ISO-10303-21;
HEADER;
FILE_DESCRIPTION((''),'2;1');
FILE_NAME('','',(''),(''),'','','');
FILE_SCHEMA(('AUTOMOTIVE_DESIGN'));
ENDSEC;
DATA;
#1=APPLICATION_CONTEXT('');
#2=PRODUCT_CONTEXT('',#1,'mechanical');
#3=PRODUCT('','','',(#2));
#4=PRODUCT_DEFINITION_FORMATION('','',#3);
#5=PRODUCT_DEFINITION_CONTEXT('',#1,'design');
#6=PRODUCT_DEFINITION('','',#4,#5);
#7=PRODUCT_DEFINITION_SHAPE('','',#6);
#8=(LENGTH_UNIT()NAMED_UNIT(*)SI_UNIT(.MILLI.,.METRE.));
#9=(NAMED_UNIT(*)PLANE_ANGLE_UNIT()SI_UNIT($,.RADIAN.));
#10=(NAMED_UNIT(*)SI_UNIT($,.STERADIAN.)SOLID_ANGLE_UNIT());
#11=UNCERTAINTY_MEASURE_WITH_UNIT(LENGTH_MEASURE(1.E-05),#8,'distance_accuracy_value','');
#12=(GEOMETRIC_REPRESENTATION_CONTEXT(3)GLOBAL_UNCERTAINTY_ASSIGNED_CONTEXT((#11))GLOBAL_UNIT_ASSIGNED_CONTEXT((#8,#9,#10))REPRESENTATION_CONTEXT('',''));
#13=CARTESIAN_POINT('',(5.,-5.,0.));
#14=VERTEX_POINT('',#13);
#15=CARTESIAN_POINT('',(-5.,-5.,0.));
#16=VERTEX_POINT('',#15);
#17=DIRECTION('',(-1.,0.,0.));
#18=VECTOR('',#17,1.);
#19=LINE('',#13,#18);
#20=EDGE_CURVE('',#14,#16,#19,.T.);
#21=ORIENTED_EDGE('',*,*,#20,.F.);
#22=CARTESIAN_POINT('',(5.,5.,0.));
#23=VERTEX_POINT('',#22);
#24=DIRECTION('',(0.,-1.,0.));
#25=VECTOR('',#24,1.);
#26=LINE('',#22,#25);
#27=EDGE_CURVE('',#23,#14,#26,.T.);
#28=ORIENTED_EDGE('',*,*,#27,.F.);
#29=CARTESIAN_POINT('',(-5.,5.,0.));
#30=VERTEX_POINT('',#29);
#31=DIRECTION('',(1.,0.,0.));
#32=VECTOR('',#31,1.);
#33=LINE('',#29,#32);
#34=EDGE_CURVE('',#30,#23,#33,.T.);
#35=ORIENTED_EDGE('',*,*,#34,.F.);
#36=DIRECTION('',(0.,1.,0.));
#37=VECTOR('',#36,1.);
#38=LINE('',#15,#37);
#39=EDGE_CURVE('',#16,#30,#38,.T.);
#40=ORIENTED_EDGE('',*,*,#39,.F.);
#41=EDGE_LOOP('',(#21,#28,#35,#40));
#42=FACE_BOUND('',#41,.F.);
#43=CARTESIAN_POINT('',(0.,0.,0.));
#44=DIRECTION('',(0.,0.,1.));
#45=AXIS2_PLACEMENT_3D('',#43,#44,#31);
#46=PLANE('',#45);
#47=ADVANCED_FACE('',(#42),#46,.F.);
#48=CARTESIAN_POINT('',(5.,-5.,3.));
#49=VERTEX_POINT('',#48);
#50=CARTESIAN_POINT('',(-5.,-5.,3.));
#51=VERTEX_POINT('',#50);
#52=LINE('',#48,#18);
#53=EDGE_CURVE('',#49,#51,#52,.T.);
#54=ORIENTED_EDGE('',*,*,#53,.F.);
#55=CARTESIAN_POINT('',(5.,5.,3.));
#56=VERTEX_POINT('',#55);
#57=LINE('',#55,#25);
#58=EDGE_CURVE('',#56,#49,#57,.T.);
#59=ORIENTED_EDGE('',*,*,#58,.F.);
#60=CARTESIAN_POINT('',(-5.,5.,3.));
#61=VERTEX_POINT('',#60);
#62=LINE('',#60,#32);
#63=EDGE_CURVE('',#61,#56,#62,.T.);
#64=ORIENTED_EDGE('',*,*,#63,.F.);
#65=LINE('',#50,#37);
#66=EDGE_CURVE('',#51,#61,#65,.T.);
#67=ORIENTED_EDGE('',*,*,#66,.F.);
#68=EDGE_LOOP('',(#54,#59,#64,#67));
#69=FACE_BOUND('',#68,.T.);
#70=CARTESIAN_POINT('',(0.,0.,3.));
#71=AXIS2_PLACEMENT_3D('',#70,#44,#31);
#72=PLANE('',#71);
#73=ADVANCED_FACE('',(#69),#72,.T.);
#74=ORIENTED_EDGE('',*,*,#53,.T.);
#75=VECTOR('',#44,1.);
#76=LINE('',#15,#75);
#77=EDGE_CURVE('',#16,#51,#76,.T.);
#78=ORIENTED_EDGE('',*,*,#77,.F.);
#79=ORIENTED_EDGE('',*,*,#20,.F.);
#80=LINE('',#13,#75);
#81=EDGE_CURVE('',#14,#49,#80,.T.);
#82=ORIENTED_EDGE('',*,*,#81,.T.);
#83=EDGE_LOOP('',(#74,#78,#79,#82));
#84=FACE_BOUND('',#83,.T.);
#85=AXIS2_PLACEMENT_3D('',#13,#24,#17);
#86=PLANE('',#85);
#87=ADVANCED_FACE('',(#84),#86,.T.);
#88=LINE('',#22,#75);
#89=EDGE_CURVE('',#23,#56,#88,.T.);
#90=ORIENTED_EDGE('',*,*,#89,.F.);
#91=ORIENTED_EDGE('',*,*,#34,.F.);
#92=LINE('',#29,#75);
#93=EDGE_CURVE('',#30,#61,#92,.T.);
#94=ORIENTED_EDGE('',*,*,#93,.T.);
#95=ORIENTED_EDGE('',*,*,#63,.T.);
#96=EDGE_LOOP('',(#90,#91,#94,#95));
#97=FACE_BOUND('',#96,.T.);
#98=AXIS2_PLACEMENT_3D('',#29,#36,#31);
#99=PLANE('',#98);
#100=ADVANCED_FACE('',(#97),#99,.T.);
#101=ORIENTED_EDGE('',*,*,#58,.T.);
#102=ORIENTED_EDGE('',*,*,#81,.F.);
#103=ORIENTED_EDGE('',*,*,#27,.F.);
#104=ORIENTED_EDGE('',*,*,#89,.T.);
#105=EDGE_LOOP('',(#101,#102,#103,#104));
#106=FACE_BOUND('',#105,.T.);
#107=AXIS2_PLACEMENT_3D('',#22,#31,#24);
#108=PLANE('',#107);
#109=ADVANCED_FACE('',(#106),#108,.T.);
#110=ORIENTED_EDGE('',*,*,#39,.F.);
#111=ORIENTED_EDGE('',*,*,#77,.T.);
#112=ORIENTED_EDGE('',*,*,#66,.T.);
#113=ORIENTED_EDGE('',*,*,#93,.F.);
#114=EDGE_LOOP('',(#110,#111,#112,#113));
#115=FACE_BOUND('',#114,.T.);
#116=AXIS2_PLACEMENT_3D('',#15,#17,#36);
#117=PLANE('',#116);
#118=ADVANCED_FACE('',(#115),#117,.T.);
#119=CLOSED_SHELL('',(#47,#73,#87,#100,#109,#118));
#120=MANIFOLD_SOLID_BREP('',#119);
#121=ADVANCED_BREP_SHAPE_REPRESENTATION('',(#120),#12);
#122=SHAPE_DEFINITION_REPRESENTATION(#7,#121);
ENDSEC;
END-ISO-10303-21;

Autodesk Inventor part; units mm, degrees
ref_plane "YZ Plane" through (0, 0, 0) normal (1, 0, 0) x (0, 1, 0)
ref_plane "XZ Plane" through (0, 0, 0) normal (0, 1, 0) x (-1, 0, 0)
ref_plane "XY Plane" through (0, 0, 0) normal (0, 0, 1) x (1, 0, 0)
sketch "Skizze1" plane through (0, 0, 0) normal (0, 0, 1) x (1, 0, 0)
  line L0 (5, -5) -> (-5, -5)
  line L1 (-5, -5) -> (-5, 5)
  line L2 (-5, 5) -> (5, 5)
  line L3 (5, 5) -> (5, -5)
  line L4 (5, -5) -> (-5, 5) construction
  line L5 (-5, -5) -> (5, 5) construction
  point P0 (0, 0)
  dimension "d0" = 10
  dimension "d1" = 10
extrude "Extrusion1" add sketch "Skizze1" along normal blind 3
properties part number "P_Motordriver"
